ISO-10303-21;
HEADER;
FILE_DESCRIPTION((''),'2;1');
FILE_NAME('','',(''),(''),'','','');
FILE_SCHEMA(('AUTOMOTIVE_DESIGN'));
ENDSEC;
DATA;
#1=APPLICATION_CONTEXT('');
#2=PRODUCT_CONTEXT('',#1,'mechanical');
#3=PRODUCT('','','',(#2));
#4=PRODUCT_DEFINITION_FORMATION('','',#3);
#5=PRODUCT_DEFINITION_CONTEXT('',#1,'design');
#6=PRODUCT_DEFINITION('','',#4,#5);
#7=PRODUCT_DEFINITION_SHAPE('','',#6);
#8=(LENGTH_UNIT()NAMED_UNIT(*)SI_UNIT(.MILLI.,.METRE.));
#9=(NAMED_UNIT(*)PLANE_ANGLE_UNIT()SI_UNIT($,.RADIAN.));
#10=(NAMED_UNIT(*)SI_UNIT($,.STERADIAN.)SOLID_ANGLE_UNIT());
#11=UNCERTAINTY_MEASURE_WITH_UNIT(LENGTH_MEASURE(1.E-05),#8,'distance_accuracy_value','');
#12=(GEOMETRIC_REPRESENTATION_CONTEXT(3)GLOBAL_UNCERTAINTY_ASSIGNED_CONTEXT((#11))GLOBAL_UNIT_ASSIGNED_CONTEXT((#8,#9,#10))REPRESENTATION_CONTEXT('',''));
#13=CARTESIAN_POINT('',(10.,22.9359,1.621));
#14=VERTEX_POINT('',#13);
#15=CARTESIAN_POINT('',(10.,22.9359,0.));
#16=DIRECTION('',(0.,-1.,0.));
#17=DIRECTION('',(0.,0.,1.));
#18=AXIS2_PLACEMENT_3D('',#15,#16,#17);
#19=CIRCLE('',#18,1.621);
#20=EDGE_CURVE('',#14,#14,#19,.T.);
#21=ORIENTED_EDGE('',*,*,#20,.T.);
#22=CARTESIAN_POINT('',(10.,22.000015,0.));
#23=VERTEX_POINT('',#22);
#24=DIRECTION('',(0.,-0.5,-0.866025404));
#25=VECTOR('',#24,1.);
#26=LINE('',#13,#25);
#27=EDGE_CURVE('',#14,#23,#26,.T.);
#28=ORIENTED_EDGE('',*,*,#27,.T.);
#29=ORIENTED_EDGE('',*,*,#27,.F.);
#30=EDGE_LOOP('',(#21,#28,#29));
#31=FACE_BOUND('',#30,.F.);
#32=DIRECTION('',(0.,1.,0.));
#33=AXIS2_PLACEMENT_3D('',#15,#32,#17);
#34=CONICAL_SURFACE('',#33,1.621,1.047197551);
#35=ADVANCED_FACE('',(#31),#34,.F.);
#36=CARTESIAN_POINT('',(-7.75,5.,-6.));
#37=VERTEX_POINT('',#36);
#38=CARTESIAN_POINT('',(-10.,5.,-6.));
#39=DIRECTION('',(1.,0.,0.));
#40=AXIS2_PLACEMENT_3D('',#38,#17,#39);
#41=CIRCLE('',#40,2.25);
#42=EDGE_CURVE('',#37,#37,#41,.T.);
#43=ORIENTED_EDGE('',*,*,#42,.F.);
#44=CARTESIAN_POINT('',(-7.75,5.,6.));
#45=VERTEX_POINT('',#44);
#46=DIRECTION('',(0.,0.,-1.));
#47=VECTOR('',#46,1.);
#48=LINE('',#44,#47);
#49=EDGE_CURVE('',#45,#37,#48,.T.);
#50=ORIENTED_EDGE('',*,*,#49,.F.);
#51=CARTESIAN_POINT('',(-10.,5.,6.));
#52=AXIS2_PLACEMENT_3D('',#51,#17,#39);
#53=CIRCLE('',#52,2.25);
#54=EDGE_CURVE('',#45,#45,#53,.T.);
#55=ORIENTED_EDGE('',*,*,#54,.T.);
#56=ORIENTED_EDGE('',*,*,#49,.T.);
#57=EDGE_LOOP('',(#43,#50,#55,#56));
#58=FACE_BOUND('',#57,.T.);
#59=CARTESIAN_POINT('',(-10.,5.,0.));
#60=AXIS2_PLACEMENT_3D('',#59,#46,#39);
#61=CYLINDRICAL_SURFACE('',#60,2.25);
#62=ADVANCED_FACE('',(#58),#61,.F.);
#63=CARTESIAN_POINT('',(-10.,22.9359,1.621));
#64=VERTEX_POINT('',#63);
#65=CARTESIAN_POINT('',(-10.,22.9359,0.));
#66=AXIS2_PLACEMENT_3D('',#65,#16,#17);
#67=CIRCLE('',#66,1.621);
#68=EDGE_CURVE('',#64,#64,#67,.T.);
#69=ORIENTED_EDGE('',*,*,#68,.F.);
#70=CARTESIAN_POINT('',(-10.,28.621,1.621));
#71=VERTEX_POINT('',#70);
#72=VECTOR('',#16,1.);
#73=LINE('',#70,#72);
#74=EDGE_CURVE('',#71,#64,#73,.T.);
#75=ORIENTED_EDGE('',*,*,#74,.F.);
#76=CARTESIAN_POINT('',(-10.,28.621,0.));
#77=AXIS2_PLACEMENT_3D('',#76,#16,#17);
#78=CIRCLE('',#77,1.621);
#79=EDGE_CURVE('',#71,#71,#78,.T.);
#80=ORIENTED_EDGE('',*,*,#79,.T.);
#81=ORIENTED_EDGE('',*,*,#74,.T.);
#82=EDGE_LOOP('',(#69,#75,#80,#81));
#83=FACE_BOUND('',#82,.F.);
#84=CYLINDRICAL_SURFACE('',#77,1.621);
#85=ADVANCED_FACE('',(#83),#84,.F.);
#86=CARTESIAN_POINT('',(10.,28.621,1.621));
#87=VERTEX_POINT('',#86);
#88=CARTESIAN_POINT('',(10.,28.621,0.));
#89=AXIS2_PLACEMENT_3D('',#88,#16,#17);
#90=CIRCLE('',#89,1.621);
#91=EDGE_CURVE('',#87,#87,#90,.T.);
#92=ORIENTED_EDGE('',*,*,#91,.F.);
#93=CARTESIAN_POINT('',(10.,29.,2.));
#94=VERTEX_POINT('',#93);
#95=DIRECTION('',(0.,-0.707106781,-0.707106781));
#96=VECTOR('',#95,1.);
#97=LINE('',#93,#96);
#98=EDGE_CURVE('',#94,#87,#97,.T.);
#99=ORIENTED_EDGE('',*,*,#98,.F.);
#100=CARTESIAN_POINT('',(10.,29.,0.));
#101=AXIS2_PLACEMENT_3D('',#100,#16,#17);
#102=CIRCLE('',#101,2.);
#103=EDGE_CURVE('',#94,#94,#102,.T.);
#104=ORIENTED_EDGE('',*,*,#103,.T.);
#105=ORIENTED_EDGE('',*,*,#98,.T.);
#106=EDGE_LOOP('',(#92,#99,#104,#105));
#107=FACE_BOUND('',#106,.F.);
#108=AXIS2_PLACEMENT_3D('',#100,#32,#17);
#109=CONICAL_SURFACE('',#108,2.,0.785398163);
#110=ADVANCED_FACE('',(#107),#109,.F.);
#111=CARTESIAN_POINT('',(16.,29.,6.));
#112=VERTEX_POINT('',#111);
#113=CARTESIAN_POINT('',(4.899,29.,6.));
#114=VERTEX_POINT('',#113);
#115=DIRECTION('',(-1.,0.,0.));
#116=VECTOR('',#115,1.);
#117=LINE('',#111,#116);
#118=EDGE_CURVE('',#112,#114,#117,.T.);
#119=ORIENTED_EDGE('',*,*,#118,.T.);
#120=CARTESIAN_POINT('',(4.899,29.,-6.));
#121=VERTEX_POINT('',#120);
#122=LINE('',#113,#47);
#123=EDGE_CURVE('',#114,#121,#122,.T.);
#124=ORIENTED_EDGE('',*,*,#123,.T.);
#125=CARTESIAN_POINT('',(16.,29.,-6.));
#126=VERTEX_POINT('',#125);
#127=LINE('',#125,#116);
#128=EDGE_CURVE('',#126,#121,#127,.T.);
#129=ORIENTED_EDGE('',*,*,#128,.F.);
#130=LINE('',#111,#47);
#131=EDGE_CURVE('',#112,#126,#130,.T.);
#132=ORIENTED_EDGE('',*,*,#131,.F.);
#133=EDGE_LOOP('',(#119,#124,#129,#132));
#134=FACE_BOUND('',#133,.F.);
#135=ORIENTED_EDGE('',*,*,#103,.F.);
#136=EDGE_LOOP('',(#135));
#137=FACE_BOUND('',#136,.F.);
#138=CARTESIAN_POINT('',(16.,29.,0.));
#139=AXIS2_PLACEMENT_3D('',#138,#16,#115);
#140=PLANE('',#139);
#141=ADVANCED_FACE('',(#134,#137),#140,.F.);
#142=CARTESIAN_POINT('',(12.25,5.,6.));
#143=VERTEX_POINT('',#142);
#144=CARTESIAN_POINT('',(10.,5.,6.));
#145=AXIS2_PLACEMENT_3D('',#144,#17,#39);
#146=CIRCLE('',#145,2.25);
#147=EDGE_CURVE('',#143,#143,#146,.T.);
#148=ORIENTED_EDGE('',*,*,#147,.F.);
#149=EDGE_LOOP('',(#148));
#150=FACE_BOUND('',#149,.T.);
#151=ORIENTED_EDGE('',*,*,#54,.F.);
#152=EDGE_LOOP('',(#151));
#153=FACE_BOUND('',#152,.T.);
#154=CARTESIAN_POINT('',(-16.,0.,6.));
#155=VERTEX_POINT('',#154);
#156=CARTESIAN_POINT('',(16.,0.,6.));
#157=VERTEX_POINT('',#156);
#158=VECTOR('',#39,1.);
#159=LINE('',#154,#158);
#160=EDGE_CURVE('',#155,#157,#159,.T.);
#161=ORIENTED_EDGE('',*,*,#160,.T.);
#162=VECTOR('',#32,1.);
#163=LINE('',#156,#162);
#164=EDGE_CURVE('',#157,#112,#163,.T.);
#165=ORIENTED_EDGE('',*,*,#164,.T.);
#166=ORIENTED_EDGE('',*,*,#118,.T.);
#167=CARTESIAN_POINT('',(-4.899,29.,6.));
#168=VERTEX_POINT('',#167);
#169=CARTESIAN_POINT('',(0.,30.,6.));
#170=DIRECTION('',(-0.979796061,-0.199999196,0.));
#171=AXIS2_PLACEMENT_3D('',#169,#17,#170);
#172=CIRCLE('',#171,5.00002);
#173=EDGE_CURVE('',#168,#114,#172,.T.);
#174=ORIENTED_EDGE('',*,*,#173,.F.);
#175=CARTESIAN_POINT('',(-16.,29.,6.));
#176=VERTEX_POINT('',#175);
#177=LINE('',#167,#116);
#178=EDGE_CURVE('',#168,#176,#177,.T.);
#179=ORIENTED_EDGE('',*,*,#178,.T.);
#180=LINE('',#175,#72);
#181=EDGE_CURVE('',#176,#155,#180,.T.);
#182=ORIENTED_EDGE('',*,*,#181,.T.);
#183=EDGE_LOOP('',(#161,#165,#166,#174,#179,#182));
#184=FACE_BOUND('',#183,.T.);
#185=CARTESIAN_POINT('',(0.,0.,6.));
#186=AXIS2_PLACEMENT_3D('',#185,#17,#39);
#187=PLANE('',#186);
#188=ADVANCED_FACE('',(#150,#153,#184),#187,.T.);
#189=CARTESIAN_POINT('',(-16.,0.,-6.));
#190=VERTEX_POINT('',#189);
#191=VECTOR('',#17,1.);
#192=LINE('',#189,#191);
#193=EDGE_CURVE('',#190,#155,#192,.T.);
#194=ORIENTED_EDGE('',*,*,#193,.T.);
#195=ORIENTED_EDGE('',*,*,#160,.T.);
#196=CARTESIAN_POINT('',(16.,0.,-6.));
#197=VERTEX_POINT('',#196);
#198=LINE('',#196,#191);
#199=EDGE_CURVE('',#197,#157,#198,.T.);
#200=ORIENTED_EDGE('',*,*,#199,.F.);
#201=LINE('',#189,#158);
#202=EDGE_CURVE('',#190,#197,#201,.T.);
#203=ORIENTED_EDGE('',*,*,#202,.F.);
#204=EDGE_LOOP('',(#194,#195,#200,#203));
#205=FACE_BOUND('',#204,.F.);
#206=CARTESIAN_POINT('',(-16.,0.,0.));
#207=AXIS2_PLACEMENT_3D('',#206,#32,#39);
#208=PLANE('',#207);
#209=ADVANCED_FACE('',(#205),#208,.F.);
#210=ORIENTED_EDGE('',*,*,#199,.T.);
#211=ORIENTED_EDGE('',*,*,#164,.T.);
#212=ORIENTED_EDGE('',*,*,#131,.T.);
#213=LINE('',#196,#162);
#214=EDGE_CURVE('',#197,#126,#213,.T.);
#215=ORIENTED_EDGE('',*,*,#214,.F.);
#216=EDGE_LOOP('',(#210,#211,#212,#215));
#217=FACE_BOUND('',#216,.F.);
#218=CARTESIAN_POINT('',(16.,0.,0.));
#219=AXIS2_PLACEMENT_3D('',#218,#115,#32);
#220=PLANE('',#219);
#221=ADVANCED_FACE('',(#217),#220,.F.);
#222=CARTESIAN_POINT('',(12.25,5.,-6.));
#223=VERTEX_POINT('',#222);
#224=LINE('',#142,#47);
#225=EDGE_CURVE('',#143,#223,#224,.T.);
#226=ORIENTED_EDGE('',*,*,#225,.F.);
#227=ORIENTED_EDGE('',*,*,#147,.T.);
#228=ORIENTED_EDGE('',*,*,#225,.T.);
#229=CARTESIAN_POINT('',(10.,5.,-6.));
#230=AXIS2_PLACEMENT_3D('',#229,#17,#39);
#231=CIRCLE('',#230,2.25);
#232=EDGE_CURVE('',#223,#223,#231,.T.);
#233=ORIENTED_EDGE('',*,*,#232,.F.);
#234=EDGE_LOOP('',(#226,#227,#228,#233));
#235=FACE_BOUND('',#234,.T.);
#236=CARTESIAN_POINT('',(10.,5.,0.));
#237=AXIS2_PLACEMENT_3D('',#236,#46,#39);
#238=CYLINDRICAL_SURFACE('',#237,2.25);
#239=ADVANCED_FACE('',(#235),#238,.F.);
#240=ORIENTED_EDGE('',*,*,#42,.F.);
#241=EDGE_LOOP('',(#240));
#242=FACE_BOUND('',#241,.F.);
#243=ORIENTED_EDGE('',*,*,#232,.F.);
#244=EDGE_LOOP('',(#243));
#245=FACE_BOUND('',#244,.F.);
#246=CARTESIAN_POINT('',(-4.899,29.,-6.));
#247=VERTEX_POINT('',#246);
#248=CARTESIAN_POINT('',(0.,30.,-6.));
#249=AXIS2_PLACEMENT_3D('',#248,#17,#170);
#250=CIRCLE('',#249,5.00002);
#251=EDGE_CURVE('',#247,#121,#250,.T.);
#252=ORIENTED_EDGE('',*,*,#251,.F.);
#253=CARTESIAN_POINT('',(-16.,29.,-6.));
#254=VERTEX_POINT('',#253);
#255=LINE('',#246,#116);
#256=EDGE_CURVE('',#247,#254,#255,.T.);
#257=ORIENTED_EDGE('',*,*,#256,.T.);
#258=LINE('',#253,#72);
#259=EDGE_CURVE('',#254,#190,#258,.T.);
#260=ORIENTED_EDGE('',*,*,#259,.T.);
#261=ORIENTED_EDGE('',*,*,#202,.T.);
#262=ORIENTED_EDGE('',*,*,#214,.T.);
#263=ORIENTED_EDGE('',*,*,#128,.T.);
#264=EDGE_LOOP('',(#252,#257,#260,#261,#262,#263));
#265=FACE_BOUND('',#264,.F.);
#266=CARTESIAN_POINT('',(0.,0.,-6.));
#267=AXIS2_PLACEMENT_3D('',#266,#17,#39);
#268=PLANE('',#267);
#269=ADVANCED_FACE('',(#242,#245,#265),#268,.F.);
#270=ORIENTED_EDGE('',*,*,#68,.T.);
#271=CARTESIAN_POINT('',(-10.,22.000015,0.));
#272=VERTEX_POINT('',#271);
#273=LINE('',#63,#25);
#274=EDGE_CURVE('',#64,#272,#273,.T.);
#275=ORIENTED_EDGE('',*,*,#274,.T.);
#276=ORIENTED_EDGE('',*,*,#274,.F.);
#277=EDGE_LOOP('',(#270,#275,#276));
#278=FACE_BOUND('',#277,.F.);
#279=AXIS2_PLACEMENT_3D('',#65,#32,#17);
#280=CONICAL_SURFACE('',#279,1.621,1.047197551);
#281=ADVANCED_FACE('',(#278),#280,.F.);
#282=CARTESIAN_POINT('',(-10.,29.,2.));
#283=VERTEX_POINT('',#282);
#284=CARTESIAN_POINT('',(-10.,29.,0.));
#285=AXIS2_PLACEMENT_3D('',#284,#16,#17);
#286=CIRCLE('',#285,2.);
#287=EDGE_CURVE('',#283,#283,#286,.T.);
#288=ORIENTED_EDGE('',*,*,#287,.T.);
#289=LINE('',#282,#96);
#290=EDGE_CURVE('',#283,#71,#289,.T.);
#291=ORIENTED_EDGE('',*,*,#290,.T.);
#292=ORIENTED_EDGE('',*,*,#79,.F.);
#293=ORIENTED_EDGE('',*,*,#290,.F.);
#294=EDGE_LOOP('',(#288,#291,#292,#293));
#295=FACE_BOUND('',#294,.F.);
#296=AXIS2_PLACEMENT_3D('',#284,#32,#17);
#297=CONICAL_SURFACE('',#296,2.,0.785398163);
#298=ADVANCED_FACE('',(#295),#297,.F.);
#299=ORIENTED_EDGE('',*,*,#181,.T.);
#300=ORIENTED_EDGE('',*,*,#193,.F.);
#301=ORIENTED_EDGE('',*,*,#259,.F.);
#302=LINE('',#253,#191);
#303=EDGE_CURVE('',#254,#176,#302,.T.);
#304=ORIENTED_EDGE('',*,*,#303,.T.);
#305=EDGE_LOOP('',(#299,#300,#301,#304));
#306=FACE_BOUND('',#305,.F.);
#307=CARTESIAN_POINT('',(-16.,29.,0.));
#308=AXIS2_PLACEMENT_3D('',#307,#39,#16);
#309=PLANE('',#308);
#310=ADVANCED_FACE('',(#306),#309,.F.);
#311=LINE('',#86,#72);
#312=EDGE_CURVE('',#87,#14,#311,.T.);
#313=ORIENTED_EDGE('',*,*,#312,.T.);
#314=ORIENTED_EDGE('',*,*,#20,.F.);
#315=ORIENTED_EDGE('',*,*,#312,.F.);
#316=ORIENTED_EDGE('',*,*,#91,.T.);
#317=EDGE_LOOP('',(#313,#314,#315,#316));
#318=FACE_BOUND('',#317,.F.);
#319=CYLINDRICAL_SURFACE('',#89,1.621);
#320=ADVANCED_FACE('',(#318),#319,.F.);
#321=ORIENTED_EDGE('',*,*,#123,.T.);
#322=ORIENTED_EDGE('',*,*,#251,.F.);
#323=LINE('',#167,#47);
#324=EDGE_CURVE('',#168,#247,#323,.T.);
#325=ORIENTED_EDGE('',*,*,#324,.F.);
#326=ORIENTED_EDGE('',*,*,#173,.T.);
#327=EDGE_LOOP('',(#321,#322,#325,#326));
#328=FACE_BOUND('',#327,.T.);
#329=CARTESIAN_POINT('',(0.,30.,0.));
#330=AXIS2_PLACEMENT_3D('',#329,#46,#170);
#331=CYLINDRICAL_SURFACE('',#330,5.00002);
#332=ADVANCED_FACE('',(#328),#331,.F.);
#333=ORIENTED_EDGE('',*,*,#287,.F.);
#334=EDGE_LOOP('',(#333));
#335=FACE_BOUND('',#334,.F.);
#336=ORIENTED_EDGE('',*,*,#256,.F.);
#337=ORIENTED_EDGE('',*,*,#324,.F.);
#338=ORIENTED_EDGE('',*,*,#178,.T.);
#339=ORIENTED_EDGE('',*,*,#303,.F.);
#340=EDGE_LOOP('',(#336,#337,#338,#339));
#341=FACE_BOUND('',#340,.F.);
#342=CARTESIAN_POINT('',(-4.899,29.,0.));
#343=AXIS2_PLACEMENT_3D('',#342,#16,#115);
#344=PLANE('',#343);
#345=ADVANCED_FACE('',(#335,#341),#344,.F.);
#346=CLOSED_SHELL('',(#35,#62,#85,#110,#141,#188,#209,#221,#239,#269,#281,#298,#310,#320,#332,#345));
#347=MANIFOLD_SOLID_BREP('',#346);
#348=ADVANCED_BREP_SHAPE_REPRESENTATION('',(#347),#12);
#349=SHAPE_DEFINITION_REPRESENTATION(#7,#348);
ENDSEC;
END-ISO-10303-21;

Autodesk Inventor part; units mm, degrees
sketch "Sketch_10" plane through (0, 0, 0) normal (0, 0, 1) x (1, 0, 0)
  line L0 (-16, 29) -> (-16, 0)
  line L1 (-16, 0) -> (16, 0)
  line L2 (16, 0) -> (16, 29)
  line L3 (16, 29) -> (4.899, 29)
  arc A0 (-4.899, 29) -> (4.899, 29) centre (0, 30) ccw
  line L4 (-4.899, 29) -> (-16, 29)
extrude "Extrusion1" add sketch "Sketch_10" along normal mid plane 12
sketch "Sketch2" plane through (4.899, 29, 6) normal (0, 1, 0) x (1, 0, 0)
  point P0 (5.101, 6)
hole "Hole1" at (10, 29, 0) direction (0, -1, 0) diameter 3.242 depth 6.0641 tip angle 120 countersink diameter 4 countersink angle 90 thread size "M4x0.7" class "6H" standard "ISO Metric profile"
sketch "Sketch3" plane through (-16, 29, 6) normal (0, 1, 0) x (1, 0, 0)
  point P0 (6, 6)
hole "Hole2" at (-10, 29, 0) direction (0, -1, 0) diameter 3.242 depth 6.0641 tip angle 120 countersink diameter 4 countersink angle 90 thread size "M4x0.7" class "6H" standard "ISO Metric profile"
sketch "Sketch_2" plane through (0, 0, 0) normal (0, 0, 1) x (1, 0, 0)
  circle A0 centre (10, 5) radius 2.25
extrude "Extrusion2" cut sketch "Sketch_2" along normal mid plane 12
sketch "Sketch_3" plane through (0, 0, 0) normal (0, 0, 1) x (1, 0, 0)
  circle A0 centre (-10, 5) radius 2.25
extrude "Extrusion3" cut sketch "Sketch_3" along normal mid plane 12
ref_plane "bolt2_to_body_XY" through (-10, 35.5, 0) normal (0, 1, 0) x (1, 0, 0)
ref_plane "bolt2_to_body_YZ" through (-10, 35.5, 0) normal (1, 0, 0) x (0, 0, -1)
ref_plane "bolt2_to_body_ZX" through (-10, 35.5, 0) normal (0, 0, -1) x (0, 1, 0)
ref_plane "bolt_to_body_XY" through (10, 35.5, 0) normal (0, 1, 0) x (1, 0, 0)
ref_plane "bolt_to_body_YZ" through (10, 35.5, 0) normal (1, 0, 0) x (0, 0, -1)
ref_plane "bolt_to_body_ZX" through (10, 35.5, 0) normal (0, 0, -1) x (0, 1, 0)
ref_plane "p_to_body_XY" through (0, 0, 0) normal (0, 1, 0) x (1, 0, 0)
ref_plane "p_to_body_YZ" through (0, 0, 0) normal (1, 0, 0) x (0, 0, -1)
ref_plane "p_to_body_ZX" through (0, 0, 0) normal (0, 0, -1) x (0, 1, 0)
properties part number "SHZA10-30_b"
